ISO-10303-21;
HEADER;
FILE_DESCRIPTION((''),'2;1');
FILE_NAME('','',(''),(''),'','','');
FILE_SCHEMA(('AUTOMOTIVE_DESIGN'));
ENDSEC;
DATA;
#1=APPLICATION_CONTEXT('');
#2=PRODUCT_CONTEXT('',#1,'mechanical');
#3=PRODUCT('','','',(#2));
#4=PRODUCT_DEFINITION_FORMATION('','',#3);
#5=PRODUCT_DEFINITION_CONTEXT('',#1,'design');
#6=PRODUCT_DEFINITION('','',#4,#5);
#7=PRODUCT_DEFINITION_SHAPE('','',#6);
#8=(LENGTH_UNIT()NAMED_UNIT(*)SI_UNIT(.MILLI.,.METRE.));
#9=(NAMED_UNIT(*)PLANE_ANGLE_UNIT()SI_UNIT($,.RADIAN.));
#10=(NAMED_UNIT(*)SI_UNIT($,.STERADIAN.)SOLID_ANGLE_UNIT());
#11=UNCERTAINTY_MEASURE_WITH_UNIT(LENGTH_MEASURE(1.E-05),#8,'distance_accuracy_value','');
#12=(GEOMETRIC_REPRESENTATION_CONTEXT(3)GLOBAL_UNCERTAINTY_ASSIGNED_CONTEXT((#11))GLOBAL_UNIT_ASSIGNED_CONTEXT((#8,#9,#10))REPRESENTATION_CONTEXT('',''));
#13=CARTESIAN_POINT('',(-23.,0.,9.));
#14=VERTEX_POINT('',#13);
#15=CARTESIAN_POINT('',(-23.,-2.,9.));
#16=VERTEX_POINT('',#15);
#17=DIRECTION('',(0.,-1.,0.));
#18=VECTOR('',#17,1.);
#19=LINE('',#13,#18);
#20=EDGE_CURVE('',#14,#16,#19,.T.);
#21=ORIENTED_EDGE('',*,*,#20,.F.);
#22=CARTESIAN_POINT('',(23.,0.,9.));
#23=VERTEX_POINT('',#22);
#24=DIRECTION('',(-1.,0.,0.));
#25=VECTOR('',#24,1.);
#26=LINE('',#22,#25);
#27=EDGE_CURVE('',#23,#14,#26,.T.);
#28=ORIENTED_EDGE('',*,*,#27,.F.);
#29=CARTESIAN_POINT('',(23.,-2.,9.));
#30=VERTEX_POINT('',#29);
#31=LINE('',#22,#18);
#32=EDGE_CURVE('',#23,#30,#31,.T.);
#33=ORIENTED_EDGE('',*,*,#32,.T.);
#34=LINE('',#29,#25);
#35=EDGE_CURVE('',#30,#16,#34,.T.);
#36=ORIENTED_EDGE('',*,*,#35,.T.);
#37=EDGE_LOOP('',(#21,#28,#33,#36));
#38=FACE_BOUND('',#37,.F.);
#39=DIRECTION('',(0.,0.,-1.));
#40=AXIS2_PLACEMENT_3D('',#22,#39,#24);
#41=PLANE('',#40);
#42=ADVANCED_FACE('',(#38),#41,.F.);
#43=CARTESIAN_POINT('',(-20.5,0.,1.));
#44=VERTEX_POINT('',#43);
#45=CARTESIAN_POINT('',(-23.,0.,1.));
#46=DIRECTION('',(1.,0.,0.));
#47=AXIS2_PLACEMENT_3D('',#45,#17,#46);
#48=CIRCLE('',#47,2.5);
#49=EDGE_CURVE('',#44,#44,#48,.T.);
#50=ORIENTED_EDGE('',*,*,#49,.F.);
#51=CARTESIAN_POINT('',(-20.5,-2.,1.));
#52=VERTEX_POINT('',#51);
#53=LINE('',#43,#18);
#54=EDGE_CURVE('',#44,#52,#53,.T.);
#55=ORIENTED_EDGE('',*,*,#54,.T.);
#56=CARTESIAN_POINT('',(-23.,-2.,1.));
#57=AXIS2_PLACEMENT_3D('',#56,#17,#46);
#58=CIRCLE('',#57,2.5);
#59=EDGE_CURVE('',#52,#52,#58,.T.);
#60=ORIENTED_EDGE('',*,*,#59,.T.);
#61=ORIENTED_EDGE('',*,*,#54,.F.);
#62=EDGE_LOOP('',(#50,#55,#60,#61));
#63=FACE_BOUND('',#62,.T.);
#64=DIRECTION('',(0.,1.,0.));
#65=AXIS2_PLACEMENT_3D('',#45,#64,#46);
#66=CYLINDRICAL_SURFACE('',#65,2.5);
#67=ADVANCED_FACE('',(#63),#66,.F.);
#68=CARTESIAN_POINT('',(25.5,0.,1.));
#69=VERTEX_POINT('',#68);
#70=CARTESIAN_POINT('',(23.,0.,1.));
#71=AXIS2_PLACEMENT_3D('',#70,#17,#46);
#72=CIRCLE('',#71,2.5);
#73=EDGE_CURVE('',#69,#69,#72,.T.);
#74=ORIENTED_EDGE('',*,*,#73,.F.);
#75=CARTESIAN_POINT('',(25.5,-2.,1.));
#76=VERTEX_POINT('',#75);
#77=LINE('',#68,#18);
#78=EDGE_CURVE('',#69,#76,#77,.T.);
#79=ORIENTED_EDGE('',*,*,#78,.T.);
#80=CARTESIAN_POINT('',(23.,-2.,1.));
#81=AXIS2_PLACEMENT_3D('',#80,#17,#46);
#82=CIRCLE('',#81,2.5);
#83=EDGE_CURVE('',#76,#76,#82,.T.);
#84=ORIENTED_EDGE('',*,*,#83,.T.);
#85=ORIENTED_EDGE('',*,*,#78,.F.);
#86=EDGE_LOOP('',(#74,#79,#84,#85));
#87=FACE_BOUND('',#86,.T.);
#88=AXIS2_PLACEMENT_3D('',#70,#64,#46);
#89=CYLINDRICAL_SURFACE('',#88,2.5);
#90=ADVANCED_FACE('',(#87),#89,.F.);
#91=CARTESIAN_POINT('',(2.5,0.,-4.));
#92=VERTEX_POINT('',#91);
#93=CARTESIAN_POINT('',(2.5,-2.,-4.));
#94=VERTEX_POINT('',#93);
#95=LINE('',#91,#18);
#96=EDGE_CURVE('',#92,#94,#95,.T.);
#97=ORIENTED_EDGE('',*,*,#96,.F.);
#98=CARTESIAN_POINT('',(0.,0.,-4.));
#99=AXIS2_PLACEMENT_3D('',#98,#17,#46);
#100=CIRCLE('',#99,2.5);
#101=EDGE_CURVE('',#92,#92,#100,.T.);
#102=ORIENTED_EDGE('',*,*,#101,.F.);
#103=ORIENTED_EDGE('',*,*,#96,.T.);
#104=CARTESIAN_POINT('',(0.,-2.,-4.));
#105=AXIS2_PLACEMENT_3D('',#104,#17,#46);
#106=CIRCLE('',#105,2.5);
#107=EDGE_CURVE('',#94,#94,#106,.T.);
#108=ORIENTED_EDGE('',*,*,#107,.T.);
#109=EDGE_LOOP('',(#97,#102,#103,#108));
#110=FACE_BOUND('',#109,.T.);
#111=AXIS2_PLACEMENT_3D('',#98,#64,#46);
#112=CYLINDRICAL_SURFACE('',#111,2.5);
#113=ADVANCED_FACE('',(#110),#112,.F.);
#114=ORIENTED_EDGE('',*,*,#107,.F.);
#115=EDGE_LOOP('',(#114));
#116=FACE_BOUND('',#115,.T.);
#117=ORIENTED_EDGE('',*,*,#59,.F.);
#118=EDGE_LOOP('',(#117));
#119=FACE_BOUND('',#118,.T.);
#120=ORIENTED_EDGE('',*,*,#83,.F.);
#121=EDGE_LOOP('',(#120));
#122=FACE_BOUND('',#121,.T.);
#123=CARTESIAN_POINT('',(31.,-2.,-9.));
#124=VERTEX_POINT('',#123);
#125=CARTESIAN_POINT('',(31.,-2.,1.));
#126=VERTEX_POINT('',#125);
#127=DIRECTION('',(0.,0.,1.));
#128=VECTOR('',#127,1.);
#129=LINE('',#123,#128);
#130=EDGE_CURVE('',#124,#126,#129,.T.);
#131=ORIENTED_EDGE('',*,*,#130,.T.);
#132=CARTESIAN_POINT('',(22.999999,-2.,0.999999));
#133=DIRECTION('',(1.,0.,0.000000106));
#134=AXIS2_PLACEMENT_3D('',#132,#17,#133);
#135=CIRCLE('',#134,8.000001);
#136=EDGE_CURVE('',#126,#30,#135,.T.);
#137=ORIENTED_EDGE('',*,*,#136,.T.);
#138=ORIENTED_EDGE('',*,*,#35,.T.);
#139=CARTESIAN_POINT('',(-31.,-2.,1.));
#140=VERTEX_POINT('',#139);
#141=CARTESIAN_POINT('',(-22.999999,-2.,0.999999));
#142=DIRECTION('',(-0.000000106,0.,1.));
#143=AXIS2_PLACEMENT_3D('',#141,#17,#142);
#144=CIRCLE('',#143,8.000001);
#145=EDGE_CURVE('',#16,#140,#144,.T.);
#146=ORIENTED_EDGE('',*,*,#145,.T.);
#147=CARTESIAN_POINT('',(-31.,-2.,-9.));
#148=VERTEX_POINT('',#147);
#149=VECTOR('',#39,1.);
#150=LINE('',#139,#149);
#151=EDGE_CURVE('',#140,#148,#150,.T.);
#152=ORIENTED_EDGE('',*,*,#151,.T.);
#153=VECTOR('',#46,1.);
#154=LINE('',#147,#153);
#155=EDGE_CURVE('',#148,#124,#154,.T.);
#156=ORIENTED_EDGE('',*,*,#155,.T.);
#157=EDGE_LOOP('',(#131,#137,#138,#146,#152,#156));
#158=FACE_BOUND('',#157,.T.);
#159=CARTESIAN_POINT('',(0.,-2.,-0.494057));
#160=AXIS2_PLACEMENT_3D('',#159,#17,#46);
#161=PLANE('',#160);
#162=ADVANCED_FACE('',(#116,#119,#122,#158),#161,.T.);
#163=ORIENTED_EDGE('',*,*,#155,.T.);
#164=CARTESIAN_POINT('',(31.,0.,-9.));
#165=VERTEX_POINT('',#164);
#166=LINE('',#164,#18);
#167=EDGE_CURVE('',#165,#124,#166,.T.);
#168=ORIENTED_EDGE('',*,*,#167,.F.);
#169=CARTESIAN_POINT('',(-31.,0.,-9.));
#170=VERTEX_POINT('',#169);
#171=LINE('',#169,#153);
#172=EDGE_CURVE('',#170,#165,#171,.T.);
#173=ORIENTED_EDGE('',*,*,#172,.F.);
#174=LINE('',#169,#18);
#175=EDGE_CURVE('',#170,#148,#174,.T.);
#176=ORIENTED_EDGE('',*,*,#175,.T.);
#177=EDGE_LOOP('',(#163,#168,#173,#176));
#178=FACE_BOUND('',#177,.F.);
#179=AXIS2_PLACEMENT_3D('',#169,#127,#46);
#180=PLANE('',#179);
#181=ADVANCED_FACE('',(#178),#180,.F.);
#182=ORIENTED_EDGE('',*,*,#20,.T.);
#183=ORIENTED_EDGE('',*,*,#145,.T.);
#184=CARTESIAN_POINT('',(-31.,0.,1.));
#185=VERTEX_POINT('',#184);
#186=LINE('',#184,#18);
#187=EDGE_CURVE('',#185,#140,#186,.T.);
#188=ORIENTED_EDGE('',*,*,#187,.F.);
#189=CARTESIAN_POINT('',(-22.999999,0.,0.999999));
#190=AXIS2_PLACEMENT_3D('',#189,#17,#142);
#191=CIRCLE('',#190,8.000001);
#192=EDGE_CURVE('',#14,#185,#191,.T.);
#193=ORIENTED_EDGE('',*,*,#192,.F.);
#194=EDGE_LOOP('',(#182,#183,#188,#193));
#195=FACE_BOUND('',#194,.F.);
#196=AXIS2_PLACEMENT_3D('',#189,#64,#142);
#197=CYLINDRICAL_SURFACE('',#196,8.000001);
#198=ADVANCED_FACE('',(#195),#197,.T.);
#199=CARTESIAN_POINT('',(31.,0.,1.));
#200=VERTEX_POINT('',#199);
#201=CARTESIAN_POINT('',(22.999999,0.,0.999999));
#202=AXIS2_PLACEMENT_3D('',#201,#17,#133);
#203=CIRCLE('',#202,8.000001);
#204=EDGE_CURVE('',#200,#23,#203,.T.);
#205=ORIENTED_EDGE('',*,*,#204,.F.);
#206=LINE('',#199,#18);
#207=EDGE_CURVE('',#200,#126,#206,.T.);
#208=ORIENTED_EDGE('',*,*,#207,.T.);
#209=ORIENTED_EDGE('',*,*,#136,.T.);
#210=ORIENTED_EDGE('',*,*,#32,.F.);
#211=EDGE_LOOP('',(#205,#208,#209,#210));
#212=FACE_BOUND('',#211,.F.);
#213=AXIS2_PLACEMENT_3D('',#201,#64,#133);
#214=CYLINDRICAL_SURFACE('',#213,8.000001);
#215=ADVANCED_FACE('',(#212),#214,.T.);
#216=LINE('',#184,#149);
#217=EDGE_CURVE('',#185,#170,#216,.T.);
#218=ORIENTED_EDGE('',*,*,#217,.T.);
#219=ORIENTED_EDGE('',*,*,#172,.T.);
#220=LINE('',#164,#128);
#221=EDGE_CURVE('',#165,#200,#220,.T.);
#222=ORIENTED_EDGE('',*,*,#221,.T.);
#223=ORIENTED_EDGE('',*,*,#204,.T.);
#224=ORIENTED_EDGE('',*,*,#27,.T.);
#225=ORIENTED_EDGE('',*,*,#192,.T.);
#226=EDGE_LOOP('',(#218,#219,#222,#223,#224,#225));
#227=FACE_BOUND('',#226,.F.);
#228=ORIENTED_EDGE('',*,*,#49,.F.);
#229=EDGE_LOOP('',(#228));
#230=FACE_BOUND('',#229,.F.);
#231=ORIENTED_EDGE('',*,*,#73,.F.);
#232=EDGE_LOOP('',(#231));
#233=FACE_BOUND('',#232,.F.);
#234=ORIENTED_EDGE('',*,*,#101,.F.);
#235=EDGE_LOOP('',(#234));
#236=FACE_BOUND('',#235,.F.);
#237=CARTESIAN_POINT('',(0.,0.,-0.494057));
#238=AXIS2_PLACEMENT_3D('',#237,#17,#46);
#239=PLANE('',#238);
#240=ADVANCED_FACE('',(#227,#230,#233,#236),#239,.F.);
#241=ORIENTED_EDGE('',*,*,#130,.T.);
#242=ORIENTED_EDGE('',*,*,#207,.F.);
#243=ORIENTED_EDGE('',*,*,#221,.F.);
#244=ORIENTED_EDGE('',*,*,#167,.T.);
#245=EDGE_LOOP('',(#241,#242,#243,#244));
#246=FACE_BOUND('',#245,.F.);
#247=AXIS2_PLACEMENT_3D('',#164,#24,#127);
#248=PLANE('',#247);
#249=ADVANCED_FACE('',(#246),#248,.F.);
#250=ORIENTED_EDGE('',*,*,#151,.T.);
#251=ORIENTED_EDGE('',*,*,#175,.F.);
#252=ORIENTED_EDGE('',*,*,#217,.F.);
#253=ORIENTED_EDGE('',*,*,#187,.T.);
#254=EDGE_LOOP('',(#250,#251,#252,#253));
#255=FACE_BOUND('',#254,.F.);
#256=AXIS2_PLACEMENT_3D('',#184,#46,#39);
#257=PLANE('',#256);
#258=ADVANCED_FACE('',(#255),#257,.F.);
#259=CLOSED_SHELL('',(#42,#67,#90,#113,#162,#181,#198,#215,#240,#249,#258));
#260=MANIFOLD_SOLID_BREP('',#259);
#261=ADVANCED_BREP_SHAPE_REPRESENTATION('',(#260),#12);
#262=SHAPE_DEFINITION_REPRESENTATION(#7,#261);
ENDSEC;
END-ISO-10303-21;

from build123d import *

# Parameters (mm, degrees)
F0_R     = 2.5
F1_DEPTH = 2


with BuildPart() as f1:
    # F0 (on Front) → F1 (new body)
    with BuildSketch(Plane.XZ):
        with BuildLine():
            Line((-31, -9), (31, -9))
            Line((31, -9), (31, 1))
            ThreePointArc((31, 1), (28.656854, 6.656854), (23, 9))
            Line((23, 9), (-23, 9))
            ThreePointArc((-23, 9), (-28.656854, 6.656854), (-31, 1))
            Line((-31, 1), (-31, -9))
        make_face()
        with Locations((0, -4)):
            Circle(F0_R, mode=Mode.SUBTRACT)
        with Locations((-23, 1)):
            Circle(F0_R, mode=Mode.SUBTRACT)
        with Locations((23, 1)):
            Circle(F0_R, mode=Mode.SUBTRACT)
    extrude(amount=F1_DEPTH)


solid = f1.part
